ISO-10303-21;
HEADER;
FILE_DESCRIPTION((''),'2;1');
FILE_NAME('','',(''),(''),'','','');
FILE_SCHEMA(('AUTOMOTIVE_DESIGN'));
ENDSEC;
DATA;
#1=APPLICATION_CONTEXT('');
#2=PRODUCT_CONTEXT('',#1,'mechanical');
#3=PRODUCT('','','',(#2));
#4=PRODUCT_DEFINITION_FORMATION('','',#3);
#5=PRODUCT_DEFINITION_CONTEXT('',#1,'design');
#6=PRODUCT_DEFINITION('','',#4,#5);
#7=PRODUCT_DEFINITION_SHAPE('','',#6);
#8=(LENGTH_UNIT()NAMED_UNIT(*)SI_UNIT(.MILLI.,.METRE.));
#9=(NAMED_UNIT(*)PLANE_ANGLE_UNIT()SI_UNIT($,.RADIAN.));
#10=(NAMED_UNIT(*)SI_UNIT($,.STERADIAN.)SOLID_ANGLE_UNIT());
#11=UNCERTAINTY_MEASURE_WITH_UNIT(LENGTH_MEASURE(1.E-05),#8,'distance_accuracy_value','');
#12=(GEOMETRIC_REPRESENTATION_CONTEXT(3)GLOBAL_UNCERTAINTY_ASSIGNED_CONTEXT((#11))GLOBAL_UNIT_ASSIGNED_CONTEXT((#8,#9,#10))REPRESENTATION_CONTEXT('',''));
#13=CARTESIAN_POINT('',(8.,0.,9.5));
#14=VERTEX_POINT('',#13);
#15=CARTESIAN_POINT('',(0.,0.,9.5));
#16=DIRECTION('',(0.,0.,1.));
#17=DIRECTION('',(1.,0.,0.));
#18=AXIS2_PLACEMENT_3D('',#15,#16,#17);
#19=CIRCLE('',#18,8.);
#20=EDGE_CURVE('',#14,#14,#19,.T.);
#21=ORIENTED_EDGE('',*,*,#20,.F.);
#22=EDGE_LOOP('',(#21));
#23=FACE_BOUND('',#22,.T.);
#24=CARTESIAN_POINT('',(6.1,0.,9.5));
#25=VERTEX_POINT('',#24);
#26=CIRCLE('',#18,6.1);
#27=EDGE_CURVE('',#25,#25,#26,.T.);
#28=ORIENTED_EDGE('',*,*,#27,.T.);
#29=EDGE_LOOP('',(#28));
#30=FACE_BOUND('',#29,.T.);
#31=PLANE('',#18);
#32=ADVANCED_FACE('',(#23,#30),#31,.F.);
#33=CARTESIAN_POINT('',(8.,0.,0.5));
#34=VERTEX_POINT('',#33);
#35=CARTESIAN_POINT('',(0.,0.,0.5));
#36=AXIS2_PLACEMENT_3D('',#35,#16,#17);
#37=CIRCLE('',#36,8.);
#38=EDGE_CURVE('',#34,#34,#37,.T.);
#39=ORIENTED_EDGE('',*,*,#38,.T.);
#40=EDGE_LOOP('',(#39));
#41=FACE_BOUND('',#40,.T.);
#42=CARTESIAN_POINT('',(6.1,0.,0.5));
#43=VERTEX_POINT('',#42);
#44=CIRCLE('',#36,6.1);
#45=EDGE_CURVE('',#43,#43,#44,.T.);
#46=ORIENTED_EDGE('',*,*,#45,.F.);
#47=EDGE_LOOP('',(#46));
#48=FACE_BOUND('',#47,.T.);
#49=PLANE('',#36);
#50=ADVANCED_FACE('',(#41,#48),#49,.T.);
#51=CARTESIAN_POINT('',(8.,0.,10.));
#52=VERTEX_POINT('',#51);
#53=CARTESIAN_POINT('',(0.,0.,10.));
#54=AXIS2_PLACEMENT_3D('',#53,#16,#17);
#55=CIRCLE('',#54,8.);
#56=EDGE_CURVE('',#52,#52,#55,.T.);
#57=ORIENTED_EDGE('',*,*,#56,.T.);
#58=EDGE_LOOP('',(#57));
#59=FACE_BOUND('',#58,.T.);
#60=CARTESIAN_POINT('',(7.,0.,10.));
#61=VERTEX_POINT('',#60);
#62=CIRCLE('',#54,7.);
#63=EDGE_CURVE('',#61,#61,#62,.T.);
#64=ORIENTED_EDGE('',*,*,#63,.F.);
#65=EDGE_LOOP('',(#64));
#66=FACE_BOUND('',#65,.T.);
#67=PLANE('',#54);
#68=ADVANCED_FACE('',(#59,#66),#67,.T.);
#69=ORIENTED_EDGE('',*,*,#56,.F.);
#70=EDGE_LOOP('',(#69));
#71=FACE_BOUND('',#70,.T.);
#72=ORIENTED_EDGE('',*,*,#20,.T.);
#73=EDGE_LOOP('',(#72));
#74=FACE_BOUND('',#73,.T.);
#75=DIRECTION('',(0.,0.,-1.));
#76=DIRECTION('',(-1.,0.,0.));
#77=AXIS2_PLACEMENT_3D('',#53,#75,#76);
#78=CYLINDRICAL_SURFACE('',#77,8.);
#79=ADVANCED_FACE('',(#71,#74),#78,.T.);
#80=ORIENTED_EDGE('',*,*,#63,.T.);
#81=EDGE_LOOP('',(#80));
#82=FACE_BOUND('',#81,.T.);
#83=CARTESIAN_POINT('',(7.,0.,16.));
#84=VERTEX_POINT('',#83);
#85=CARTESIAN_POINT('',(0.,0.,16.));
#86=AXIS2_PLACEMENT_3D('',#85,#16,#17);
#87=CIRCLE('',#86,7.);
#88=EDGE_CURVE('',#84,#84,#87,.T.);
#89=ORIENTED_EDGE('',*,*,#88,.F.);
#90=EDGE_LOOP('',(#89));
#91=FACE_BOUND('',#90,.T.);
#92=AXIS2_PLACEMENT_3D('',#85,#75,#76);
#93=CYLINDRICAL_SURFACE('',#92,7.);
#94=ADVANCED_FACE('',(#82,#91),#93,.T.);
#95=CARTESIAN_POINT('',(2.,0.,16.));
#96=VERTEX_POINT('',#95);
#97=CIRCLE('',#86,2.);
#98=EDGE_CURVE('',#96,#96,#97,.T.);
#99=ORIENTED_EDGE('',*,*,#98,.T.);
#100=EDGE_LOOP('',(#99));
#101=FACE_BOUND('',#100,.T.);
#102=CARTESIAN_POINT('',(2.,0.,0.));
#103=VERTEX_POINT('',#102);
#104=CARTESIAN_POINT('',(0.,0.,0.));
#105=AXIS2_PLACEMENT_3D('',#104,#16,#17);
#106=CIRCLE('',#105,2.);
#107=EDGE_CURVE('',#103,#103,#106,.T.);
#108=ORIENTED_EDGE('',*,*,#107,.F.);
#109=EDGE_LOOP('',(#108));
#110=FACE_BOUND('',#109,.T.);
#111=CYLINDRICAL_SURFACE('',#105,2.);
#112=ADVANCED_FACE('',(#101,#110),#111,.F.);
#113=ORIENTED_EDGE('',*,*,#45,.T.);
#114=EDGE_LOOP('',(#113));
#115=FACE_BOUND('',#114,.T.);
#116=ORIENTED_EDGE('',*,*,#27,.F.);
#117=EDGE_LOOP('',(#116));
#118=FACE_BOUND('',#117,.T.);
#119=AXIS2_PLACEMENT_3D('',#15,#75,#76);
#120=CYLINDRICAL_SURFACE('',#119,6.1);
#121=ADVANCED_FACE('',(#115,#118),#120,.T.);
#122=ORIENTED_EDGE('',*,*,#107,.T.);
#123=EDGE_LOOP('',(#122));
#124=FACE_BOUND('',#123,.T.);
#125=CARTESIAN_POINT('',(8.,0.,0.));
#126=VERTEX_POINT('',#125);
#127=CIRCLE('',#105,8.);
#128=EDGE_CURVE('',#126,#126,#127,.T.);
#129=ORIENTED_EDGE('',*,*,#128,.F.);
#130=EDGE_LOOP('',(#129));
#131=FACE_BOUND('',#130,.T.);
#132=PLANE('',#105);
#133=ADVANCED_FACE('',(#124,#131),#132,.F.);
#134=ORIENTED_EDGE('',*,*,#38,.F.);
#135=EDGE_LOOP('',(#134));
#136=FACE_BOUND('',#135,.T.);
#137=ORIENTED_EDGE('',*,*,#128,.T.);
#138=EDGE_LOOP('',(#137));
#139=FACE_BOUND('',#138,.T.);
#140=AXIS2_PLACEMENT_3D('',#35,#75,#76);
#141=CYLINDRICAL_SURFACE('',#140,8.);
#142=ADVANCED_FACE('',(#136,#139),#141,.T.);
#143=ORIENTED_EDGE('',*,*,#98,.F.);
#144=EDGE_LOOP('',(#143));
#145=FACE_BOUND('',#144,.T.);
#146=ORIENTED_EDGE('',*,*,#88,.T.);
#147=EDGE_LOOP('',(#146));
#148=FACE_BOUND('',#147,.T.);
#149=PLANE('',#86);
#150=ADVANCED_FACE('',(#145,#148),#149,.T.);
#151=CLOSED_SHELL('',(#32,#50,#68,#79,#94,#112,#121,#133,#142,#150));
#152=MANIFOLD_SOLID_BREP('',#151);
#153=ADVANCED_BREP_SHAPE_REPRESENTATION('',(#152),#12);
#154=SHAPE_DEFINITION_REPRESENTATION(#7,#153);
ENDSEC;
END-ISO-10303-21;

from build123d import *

# Parameters (mm, degrees)
ESQUISSE1_R      = 8
EXTRUSION1_DEPTH = 0.5
ESQUISSE2_R      = 6.1
EXTRUSION2_DEPTH = 9
ESQUISSE3_R      = 8
EXTRUSION3_DEPTH = 0.5
ESQUISSE4_R      = 7
EXTRUSION4_DEPTH = 6
ESQUISSE5_R      = 2
EXTRUSION5_DEPTH = 20.595917942


with BuildPart() as part:
    # Esquisse1 → Extrusion1 (new body)
    with BuildSketch(Plane.XY):
        Circle(ESQUISSE1_R)
    extrude(amount=EXTRUSION1_DEPTH)

    # Esquisse2 → Extrusion2 (add)
    with BuildSketch(Plane.XY.offset(0.5)):
        Circle(ESQUISSE2_R)
    extrude(amount=EXTRUSION2_DEPTH)

    # Esquisse3 → Extrusion3 (add)
    with BuildSketch(Plane.XY.offset(9.5)):
        Circle(ESQUISSE3_R)
    extrude(amount=EXTRUSION3_DEPTH)

    # Esquisse4 → Extrusion4 (add)
    with BuildSketch(Plane.XY.offset(10)):
        Circle(ESQUISSE4_R)
    extrude(amount=EXTRUSION4_DEPTH)

    # Esquisse5 → Extrusion5 (cut, through all)
    with BuildSketch(Plane.XY.offset(16)):
        Circle(ESQUISSE5_R)
    extrude(amount=-EXTRUSION5_DEPTH, mode=Mode.SUBTRACT)


solid = part.part
